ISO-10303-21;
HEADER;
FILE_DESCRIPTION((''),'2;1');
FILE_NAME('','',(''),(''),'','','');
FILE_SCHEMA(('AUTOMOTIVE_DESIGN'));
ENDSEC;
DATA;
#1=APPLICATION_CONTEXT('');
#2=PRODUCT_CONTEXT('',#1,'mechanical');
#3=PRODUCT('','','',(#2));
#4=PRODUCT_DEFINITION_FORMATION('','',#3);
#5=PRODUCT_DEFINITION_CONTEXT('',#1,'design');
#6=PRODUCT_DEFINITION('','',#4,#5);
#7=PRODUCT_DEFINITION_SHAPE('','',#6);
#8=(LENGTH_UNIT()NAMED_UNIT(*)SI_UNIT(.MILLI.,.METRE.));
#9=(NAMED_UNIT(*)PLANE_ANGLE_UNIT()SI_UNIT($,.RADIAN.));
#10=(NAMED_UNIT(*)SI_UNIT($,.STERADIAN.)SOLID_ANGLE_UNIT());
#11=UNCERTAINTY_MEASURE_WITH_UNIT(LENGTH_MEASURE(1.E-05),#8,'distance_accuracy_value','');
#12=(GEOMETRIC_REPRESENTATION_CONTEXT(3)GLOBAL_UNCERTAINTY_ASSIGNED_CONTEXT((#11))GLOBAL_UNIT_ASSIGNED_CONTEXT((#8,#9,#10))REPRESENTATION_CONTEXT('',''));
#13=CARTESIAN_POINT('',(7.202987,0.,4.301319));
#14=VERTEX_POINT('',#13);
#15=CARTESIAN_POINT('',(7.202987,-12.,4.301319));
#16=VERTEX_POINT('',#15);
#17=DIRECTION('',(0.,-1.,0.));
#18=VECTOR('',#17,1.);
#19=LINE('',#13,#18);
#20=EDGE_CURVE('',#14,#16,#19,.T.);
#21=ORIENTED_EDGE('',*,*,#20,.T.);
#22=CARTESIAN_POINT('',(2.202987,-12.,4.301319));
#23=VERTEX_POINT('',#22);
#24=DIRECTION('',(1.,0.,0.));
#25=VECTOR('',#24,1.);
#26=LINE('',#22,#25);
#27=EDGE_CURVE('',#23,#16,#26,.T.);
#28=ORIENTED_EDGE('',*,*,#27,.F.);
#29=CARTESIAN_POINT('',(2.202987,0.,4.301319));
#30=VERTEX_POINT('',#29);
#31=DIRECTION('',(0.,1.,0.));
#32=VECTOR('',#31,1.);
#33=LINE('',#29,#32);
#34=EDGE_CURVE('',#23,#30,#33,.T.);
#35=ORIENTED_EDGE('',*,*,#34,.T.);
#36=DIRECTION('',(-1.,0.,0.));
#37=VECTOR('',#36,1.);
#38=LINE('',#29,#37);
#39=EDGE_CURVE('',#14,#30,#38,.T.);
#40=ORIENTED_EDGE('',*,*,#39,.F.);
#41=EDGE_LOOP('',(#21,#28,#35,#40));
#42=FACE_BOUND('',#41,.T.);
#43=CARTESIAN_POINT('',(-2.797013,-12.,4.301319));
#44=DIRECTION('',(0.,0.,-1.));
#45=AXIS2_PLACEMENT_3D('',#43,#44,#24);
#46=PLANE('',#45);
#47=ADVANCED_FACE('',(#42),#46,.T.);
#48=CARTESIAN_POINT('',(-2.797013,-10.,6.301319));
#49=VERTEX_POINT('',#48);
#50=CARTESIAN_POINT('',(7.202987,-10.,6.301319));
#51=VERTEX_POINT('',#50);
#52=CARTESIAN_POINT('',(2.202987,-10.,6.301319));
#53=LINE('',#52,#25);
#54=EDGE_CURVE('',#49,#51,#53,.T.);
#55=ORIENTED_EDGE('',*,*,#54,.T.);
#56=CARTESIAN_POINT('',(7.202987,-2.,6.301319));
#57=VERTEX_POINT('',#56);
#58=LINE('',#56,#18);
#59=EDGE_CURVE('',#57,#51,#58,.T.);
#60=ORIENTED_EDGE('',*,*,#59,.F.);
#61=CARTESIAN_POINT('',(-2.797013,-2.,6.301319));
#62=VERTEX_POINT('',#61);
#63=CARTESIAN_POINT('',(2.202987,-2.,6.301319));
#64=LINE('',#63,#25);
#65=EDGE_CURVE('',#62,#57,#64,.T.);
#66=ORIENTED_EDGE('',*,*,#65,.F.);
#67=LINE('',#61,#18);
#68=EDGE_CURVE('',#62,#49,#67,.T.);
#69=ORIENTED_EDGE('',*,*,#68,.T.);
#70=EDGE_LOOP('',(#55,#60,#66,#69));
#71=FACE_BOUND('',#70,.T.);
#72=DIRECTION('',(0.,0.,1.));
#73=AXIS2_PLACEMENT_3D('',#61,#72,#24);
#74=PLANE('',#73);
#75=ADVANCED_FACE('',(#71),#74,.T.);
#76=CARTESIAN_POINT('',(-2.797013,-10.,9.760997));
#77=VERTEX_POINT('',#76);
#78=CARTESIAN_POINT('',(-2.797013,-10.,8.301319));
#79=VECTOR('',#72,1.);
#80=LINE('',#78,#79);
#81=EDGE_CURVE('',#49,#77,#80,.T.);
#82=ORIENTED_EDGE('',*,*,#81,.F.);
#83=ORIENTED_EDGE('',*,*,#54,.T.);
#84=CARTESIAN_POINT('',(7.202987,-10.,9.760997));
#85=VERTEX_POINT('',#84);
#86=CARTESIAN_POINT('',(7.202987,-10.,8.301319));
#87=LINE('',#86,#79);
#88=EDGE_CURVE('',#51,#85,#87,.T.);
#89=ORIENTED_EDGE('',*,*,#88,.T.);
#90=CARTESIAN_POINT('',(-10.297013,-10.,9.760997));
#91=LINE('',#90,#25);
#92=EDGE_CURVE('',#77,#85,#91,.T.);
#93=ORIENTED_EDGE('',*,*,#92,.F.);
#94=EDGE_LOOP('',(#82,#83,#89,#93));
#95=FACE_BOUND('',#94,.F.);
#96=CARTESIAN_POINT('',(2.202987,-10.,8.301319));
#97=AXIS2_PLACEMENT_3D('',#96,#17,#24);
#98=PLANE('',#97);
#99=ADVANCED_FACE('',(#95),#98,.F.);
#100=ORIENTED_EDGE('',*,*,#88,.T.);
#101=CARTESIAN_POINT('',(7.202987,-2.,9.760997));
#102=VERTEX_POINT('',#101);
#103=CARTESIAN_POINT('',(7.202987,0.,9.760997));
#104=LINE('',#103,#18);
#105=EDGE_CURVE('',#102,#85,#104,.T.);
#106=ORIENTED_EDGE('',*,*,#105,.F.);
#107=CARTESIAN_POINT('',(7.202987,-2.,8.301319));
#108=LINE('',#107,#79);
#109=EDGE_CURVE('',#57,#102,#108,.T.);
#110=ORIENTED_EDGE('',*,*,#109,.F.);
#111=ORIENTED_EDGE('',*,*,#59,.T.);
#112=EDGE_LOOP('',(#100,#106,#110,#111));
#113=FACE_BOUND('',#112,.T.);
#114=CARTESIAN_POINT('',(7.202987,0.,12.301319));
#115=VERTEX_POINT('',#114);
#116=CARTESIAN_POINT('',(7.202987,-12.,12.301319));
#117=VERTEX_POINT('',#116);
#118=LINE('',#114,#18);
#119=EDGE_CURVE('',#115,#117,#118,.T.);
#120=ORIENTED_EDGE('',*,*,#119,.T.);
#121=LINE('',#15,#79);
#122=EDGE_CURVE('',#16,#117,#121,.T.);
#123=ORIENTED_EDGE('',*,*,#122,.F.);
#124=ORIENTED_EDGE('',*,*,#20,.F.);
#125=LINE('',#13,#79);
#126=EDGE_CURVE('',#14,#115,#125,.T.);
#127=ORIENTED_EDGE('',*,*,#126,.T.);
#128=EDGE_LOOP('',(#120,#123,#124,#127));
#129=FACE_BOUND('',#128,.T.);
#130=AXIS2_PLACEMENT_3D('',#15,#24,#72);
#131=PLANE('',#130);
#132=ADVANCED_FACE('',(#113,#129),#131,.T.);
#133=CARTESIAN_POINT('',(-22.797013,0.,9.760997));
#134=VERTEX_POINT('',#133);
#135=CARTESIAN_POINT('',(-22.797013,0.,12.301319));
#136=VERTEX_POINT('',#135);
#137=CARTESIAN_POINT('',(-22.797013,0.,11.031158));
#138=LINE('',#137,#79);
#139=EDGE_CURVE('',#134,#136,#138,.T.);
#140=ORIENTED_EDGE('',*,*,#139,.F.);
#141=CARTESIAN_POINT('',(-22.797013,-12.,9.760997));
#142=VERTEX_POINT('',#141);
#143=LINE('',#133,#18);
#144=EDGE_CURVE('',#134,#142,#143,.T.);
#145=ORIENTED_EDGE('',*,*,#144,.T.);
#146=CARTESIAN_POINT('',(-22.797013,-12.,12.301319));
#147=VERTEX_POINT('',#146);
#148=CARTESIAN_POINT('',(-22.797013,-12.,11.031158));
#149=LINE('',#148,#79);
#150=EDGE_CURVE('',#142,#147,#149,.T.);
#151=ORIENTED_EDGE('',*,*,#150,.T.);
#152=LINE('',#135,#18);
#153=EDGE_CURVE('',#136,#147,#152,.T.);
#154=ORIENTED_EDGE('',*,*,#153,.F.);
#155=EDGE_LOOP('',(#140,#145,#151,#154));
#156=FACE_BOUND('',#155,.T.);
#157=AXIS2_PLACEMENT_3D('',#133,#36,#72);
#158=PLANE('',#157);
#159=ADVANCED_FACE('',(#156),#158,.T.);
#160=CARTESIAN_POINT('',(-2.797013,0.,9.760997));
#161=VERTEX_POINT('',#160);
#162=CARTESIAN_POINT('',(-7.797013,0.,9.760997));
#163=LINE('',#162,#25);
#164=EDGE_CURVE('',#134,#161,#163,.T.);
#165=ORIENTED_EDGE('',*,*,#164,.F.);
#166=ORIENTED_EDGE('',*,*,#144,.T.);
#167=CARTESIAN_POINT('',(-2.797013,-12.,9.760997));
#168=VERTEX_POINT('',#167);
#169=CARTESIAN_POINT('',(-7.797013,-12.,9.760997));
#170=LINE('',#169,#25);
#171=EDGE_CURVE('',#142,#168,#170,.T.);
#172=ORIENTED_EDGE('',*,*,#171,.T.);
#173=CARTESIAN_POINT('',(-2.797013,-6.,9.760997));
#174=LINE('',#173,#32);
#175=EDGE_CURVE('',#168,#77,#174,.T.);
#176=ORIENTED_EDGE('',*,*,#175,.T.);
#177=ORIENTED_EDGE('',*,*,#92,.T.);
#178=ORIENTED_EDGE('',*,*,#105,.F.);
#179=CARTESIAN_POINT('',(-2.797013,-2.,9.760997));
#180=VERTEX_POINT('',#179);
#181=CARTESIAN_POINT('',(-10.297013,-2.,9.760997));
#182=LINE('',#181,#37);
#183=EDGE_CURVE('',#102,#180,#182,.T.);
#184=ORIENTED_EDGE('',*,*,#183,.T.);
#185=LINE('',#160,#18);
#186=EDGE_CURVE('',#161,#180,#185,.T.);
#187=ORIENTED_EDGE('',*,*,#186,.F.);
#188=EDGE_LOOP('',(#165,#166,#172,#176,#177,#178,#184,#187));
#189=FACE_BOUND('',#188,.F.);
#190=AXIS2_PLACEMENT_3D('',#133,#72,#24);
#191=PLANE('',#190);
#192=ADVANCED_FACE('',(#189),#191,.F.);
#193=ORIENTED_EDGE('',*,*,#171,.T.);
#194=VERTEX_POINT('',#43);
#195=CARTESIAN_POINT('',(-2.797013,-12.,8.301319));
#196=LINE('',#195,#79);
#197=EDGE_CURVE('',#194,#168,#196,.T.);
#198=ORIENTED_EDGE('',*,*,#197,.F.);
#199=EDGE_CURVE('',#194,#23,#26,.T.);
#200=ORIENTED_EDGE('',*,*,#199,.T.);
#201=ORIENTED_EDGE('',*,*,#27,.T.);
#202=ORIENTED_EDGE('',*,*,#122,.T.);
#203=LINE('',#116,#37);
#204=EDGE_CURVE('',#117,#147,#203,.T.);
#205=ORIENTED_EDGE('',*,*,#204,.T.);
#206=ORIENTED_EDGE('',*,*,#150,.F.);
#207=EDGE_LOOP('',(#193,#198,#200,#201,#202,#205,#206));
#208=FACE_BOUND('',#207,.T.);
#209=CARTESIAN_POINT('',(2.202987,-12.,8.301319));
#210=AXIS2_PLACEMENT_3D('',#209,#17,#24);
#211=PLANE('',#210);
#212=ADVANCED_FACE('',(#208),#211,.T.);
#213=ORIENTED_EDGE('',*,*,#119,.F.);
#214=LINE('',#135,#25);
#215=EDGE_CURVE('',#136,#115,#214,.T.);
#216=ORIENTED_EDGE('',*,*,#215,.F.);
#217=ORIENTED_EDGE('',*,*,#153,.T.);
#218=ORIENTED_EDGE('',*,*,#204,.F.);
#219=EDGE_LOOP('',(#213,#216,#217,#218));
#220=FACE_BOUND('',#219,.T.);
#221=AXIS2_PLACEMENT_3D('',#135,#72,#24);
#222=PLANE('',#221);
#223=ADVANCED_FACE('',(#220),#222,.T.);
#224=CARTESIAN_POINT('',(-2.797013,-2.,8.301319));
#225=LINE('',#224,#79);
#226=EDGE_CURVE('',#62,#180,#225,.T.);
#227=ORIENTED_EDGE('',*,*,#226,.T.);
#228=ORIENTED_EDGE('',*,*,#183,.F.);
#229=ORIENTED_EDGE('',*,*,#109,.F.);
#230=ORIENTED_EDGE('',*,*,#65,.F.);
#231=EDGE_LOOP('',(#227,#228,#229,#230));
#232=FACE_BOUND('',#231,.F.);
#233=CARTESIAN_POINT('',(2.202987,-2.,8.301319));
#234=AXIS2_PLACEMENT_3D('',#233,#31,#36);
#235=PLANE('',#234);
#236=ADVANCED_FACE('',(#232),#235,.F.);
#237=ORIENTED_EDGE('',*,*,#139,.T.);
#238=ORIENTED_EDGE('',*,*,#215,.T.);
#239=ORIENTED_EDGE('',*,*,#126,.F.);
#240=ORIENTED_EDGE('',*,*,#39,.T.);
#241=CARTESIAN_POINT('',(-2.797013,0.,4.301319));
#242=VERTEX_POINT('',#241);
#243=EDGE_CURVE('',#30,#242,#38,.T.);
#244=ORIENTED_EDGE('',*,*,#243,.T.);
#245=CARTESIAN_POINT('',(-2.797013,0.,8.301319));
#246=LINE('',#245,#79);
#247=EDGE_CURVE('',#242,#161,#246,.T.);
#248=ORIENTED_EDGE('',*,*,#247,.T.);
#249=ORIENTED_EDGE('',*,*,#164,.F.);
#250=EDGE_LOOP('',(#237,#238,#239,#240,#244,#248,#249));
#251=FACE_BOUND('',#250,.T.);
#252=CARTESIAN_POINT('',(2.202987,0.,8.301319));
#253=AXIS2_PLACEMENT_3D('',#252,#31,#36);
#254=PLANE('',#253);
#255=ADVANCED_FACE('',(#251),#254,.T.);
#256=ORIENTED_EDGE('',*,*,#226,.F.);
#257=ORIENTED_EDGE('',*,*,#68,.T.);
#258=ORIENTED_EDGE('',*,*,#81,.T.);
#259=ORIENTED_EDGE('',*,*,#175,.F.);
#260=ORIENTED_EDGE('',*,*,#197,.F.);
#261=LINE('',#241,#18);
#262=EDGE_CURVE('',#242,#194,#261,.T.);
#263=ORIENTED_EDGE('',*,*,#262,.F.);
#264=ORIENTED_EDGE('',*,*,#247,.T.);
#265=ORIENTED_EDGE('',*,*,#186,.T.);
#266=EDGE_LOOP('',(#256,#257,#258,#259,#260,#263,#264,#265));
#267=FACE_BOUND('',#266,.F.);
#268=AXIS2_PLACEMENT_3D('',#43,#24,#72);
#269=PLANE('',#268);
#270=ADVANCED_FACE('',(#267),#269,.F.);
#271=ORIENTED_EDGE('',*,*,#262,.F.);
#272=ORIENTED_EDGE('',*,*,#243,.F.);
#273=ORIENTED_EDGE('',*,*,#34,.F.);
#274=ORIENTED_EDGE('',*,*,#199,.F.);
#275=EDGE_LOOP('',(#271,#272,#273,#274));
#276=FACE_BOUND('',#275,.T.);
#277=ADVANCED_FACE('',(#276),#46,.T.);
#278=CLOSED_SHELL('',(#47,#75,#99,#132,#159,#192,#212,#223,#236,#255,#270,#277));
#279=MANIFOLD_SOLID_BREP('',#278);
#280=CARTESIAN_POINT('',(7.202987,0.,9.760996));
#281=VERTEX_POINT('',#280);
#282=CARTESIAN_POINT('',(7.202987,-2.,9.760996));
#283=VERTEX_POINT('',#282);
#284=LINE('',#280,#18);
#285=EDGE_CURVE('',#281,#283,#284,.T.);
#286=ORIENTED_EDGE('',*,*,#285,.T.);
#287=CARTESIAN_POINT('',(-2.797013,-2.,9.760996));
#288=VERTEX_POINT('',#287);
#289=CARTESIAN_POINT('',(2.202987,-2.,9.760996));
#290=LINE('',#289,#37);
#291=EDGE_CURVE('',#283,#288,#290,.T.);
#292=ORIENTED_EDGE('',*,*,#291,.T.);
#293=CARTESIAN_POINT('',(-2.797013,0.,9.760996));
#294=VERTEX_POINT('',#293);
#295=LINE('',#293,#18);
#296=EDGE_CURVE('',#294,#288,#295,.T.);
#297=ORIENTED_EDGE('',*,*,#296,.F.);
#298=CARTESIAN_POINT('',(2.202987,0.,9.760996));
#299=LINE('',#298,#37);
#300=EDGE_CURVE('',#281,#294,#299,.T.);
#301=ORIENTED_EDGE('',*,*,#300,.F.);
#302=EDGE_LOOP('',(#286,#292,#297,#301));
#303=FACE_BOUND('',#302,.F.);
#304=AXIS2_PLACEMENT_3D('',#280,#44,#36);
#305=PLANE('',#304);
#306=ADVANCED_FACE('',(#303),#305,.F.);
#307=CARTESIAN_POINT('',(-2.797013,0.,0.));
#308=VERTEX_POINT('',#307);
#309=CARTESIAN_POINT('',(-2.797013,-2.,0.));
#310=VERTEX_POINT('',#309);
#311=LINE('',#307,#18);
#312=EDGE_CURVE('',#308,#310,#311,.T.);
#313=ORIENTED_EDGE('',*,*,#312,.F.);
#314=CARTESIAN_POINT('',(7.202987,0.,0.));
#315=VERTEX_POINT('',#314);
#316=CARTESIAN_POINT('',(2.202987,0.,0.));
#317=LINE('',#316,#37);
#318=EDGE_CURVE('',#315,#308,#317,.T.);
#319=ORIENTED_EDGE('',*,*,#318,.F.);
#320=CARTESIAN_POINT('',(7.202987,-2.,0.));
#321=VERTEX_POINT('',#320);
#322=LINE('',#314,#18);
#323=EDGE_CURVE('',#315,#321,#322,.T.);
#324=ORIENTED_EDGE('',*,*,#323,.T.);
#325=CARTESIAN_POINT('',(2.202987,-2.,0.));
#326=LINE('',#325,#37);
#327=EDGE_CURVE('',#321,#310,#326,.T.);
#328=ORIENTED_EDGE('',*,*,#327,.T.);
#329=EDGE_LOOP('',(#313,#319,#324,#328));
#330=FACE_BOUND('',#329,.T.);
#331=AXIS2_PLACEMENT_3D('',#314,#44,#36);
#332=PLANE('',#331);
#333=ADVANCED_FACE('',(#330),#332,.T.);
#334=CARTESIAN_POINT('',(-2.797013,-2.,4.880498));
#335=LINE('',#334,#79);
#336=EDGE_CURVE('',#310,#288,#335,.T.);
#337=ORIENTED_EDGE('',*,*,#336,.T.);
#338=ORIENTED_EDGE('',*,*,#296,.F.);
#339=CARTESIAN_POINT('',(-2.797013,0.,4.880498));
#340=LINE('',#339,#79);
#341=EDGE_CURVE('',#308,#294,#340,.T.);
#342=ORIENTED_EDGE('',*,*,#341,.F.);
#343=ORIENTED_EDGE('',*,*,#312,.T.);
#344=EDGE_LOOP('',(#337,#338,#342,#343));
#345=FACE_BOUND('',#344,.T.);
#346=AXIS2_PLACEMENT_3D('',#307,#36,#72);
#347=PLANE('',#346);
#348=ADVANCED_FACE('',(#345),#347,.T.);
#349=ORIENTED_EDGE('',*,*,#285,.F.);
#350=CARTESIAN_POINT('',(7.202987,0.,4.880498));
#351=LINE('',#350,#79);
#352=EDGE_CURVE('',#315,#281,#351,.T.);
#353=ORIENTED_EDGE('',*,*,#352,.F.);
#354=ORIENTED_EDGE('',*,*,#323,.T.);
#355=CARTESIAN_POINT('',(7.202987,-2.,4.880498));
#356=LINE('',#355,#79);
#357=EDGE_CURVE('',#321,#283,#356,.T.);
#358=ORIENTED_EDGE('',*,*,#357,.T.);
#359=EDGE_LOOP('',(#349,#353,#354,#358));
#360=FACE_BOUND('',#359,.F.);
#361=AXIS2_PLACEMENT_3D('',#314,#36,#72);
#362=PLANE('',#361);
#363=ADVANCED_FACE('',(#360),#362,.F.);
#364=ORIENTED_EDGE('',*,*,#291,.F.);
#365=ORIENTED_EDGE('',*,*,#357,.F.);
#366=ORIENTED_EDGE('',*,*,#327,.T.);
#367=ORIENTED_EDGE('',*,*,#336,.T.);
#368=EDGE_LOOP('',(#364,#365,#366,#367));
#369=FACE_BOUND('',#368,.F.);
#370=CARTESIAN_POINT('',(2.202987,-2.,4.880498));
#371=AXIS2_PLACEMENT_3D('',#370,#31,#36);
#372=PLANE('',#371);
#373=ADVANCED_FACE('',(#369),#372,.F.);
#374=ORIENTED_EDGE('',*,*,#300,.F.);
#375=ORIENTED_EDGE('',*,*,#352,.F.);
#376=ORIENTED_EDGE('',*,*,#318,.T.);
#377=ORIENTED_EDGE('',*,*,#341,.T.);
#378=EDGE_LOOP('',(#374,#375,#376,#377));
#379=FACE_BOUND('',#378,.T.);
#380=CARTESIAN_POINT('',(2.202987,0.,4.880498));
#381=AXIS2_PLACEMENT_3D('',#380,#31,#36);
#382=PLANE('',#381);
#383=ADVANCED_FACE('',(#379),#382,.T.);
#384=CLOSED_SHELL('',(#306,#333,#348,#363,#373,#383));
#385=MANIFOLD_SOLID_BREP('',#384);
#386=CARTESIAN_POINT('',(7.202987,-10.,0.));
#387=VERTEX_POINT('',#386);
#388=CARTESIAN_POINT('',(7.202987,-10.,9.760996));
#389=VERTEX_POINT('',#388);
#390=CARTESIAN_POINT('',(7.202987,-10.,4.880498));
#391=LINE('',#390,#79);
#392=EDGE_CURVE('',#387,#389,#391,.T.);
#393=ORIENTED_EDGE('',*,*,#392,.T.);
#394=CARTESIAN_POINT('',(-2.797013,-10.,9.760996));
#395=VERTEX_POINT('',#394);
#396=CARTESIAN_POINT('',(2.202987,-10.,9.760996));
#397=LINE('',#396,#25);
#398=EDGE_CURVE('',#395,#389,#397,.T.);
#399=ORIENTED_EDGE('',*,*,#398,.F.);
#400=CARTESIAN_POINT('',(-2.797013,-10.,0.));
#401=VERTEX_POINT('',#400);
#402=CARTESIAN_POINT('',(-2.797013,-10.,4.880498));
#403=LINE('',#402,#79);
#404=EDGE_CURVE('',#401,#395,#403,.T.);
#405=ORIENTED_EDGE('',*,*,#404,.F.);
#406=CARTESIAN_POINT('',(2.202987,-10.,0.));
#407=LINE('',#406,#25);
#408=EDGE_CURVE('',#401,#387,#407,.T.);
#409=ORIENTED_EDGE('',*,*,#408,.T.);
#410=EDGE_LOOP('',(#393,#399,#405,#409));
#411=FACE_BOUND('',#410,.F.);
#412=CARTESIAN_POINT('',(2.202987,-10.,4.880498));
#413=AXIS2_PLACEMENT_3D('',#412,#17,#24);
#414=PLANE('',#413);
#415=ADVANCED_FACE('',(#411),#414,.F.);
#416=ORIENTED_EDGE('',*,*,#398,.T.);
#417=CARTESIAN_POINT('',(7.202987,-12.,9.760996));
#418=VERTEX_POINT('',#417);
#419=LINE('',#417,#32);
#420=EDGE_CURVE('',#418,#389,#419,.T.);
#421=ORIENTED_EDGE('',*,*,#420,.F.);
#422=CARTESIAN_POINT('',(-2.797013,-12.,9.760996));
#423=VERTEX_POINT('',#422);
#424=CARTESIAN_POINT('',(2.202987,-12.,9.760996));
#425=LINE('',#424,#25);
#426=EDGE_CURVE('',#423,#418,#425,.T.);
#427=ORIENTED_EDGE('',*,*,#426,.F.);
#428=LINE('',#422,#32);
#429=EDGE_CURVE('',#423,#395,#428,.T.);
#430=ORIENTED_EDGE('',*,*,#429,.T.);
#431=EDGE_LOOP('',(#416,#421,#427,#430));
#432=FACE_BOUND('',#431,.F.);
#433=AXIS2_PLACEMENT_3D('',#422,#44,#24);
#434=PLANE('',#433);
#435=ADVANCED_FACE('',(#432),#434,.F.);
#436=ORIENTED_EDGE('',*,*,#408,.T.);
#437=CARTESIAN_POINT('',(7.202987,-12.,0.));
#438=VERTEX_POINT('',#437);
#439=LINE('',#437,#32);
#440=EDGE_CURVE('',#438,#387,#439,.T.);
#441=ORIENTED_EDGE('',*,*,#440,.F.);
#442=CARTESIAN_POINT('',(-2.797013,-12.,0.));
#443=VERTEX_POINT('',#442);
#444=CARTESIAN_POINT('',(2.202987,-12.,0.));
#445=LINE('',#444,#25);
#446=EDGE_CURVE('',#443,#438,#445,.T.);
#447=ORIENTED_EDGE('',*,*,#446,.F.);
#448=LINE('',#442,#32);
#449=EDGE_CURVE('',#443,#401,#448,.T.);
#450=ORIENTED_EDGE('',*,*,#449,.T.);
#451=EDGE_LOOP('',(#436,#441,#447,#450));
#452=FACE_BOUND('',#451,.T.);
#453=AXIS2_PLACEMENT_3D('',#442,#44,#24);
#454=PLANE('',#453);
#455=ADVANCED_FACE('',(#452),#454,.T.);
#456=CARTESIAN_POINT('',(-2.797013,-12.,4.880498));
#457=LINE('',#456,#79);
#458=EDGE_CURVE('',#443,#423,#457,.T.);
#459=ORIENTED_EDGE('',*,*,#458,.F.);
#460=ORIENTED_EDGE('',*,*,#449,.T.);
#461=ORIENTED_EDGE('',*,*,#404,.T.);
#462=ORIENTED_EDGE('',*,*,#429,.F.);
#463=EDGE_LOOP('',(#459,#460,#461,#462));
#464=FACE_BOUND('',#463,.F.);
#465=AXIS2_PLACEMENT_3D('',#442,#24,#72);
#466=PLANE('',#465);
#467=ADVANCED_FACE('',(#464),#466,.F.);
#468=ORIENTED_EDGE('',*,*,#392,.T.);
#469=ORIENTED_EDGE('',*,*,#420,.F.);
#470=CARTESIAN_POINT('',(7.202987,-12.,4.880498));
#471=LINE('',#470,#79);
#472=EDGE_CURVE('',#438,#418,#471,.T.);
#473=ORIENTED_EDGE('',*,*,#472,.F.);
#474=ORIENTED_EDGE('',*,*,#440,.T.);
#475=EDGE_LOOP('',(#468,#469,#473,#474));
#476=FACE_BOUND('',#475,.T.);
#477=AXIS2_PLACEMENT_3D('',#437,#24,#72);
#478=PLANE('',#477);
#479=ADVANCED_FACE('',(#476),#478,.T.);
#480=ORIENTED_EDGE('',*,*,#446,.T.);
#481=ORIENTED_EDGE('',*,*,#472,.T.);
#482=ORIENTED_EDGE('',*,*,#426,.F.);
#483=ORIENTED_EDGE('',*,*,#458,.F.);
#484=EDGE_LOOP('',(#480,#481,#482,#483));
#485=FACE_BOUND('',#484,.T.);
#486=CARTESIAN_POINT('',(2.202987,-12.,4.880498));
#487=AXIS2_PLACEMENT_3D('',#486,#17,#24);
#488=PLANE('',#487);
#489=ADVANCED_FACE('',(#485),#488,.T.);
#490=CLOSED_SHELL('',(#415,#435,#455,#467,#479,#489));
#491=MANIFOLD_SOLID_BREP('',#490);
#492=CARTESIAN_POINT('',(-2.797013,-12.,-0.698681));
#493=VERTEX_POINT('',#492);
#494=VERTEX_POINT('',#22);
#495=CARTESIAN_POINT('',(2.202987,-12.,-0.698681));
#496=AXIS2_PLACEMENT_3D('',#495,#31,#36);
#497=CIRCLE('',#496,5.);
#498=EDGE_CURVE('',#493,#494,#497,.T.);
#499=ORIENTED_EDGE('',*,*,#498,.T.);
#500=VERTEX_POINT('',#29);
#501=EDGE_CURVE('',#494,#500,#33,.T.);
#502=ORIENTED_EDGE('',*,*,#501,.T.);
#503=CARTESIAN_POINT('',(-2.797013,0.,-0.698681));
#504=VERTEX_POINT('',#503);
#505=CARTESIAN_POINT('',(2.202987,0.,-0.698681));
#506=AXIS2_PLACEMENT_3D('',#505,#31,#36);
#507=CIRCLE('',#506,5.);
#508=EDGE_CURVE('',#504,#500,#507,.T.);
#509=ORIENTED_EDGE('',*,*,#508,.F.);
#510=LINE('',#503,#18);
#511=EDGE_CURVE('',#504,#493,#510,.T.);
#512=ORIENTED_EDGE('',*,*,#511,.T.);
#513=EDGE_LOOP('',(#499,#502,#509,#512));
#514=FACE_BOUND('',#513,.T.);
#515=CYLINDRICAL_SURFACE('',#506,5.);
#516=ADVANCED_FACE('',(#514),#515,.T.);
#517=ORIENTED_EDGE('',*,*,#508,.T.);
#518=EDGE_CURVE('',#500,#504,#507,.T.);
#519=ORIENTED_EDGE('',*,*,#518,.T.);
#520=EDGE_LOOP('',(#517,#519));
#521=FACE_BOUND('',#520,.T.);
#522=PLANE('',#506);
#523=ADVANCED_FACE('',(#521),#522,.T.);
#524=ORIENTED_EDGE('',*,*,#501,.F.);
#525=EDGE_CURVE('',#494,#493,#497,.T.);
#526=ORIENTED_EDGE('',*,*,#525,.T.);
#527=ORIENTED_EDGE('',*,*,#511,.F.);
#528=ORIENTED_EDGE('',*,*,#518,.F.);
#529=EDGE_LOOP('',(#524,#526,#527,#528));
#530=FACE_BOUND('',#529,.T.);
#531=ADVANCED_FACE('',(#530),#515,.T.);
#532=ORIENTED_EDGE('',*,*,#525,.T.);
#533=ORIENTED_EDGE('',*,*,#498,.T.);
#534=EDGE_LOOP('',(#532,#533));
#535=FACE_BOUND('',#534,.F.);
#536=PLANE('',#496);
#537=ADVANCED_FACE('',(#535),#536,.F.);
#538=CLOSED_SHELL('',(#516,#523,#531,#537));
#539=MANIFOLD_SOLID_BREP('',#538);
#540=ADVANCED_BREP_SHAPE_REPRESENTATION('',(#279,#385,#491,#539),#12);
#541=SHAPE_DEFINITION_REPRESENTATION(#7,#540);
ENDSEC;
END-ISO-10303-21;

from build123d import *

# Parameters (mm, degrees)
F0_W      = 30
F0_H      = 2.540322
F1_DEPTH  = 12
F2_W      = 10
F2_H      = 8
F3_DEPTH  = 2
F4_W      = 10
F4_H      = 2
F5_DEPTH  = 8
F6_W      = 10
F6_H      = 8
F7_DEPTH  = 2
F8_R      = 5
F9_DEPTH  = 12
F10_W     = 10
F10_H     = 9.760997
F11_DEPTH = 2
F12_W     = 10
F12_H     = 9.760997
F13_DEPTH = 2


with BuildPart() as f1:
    # F0 (on Front) → F1 (new body)
    with BuildSketch(Plane.XZ):
        with Locations((-7.797013, 11.031158)):
            Rectangle(F0_W, F0_H)
    extrude(amount=F1_DEPTH)

    # F2 (on face) → F3 (join)
    with BuildSketch(Plane(origin=(0, 0, 0), x_dir=(-1, 0, 0), z_dir=(0, 1, 0))):
        with Locations((-2.202987, 8.301319)):
            Rectangle(F2_W, F2_H)
    extrude(amount=-F3_DEPTH)

    # F4 (on face) → F5 (join)
    with BuildSketch(Plane.XZ.offset(2)):
        with Locations((2.202987, 5.301319)):
            Rectangle(F4_W, F4_H)
    extrude(amount=F5_DEPTH)

    # F6 (on face) → F7 (join)
    with BuildSketch(Plane.XZ.offset(12)):
        with Locations((2.202987, 8.301319)):
            Rectangle(F6_W, F6_H)
    extrude(amount=-F7_DEPTH)

    # F8 (on face) → F9 (join)
    with BuildSketch(Plane(origin=(0, 0, 0), x_dir=(-1, 0, 0), z_dir=(0, 1, 0))):
        with Locations((-2.202987, -0.698681)):
            Circle(F8_R)
    extrude(amount=-F9_DEPTH)


with BuildPart() as f11:
    # F10 (on face) → F11 (new body)
    with BuildSketch(Plane.XZ.offset(12)):
        with Locations((2.202987, 4.880498)):
            Rectangle(F10_W, F10_H)
    extrude(amount=-F11_DEPTH)


with BuildPart() as f13:
    # F12 (on face) → F13 (new body)
    with BuildSketch(Plane(origin=(0, 0, 0), x_dir=(-1, 0, 0), z_dir=(0, 1, 0))):
        with Locations((-2.202987, 4.880498)):
            Rectangle(F12_W, F12_H)
    extrude(amount=-F13_DEPTH)


solid = Compound([f1.part, f11.part, f13.part])
